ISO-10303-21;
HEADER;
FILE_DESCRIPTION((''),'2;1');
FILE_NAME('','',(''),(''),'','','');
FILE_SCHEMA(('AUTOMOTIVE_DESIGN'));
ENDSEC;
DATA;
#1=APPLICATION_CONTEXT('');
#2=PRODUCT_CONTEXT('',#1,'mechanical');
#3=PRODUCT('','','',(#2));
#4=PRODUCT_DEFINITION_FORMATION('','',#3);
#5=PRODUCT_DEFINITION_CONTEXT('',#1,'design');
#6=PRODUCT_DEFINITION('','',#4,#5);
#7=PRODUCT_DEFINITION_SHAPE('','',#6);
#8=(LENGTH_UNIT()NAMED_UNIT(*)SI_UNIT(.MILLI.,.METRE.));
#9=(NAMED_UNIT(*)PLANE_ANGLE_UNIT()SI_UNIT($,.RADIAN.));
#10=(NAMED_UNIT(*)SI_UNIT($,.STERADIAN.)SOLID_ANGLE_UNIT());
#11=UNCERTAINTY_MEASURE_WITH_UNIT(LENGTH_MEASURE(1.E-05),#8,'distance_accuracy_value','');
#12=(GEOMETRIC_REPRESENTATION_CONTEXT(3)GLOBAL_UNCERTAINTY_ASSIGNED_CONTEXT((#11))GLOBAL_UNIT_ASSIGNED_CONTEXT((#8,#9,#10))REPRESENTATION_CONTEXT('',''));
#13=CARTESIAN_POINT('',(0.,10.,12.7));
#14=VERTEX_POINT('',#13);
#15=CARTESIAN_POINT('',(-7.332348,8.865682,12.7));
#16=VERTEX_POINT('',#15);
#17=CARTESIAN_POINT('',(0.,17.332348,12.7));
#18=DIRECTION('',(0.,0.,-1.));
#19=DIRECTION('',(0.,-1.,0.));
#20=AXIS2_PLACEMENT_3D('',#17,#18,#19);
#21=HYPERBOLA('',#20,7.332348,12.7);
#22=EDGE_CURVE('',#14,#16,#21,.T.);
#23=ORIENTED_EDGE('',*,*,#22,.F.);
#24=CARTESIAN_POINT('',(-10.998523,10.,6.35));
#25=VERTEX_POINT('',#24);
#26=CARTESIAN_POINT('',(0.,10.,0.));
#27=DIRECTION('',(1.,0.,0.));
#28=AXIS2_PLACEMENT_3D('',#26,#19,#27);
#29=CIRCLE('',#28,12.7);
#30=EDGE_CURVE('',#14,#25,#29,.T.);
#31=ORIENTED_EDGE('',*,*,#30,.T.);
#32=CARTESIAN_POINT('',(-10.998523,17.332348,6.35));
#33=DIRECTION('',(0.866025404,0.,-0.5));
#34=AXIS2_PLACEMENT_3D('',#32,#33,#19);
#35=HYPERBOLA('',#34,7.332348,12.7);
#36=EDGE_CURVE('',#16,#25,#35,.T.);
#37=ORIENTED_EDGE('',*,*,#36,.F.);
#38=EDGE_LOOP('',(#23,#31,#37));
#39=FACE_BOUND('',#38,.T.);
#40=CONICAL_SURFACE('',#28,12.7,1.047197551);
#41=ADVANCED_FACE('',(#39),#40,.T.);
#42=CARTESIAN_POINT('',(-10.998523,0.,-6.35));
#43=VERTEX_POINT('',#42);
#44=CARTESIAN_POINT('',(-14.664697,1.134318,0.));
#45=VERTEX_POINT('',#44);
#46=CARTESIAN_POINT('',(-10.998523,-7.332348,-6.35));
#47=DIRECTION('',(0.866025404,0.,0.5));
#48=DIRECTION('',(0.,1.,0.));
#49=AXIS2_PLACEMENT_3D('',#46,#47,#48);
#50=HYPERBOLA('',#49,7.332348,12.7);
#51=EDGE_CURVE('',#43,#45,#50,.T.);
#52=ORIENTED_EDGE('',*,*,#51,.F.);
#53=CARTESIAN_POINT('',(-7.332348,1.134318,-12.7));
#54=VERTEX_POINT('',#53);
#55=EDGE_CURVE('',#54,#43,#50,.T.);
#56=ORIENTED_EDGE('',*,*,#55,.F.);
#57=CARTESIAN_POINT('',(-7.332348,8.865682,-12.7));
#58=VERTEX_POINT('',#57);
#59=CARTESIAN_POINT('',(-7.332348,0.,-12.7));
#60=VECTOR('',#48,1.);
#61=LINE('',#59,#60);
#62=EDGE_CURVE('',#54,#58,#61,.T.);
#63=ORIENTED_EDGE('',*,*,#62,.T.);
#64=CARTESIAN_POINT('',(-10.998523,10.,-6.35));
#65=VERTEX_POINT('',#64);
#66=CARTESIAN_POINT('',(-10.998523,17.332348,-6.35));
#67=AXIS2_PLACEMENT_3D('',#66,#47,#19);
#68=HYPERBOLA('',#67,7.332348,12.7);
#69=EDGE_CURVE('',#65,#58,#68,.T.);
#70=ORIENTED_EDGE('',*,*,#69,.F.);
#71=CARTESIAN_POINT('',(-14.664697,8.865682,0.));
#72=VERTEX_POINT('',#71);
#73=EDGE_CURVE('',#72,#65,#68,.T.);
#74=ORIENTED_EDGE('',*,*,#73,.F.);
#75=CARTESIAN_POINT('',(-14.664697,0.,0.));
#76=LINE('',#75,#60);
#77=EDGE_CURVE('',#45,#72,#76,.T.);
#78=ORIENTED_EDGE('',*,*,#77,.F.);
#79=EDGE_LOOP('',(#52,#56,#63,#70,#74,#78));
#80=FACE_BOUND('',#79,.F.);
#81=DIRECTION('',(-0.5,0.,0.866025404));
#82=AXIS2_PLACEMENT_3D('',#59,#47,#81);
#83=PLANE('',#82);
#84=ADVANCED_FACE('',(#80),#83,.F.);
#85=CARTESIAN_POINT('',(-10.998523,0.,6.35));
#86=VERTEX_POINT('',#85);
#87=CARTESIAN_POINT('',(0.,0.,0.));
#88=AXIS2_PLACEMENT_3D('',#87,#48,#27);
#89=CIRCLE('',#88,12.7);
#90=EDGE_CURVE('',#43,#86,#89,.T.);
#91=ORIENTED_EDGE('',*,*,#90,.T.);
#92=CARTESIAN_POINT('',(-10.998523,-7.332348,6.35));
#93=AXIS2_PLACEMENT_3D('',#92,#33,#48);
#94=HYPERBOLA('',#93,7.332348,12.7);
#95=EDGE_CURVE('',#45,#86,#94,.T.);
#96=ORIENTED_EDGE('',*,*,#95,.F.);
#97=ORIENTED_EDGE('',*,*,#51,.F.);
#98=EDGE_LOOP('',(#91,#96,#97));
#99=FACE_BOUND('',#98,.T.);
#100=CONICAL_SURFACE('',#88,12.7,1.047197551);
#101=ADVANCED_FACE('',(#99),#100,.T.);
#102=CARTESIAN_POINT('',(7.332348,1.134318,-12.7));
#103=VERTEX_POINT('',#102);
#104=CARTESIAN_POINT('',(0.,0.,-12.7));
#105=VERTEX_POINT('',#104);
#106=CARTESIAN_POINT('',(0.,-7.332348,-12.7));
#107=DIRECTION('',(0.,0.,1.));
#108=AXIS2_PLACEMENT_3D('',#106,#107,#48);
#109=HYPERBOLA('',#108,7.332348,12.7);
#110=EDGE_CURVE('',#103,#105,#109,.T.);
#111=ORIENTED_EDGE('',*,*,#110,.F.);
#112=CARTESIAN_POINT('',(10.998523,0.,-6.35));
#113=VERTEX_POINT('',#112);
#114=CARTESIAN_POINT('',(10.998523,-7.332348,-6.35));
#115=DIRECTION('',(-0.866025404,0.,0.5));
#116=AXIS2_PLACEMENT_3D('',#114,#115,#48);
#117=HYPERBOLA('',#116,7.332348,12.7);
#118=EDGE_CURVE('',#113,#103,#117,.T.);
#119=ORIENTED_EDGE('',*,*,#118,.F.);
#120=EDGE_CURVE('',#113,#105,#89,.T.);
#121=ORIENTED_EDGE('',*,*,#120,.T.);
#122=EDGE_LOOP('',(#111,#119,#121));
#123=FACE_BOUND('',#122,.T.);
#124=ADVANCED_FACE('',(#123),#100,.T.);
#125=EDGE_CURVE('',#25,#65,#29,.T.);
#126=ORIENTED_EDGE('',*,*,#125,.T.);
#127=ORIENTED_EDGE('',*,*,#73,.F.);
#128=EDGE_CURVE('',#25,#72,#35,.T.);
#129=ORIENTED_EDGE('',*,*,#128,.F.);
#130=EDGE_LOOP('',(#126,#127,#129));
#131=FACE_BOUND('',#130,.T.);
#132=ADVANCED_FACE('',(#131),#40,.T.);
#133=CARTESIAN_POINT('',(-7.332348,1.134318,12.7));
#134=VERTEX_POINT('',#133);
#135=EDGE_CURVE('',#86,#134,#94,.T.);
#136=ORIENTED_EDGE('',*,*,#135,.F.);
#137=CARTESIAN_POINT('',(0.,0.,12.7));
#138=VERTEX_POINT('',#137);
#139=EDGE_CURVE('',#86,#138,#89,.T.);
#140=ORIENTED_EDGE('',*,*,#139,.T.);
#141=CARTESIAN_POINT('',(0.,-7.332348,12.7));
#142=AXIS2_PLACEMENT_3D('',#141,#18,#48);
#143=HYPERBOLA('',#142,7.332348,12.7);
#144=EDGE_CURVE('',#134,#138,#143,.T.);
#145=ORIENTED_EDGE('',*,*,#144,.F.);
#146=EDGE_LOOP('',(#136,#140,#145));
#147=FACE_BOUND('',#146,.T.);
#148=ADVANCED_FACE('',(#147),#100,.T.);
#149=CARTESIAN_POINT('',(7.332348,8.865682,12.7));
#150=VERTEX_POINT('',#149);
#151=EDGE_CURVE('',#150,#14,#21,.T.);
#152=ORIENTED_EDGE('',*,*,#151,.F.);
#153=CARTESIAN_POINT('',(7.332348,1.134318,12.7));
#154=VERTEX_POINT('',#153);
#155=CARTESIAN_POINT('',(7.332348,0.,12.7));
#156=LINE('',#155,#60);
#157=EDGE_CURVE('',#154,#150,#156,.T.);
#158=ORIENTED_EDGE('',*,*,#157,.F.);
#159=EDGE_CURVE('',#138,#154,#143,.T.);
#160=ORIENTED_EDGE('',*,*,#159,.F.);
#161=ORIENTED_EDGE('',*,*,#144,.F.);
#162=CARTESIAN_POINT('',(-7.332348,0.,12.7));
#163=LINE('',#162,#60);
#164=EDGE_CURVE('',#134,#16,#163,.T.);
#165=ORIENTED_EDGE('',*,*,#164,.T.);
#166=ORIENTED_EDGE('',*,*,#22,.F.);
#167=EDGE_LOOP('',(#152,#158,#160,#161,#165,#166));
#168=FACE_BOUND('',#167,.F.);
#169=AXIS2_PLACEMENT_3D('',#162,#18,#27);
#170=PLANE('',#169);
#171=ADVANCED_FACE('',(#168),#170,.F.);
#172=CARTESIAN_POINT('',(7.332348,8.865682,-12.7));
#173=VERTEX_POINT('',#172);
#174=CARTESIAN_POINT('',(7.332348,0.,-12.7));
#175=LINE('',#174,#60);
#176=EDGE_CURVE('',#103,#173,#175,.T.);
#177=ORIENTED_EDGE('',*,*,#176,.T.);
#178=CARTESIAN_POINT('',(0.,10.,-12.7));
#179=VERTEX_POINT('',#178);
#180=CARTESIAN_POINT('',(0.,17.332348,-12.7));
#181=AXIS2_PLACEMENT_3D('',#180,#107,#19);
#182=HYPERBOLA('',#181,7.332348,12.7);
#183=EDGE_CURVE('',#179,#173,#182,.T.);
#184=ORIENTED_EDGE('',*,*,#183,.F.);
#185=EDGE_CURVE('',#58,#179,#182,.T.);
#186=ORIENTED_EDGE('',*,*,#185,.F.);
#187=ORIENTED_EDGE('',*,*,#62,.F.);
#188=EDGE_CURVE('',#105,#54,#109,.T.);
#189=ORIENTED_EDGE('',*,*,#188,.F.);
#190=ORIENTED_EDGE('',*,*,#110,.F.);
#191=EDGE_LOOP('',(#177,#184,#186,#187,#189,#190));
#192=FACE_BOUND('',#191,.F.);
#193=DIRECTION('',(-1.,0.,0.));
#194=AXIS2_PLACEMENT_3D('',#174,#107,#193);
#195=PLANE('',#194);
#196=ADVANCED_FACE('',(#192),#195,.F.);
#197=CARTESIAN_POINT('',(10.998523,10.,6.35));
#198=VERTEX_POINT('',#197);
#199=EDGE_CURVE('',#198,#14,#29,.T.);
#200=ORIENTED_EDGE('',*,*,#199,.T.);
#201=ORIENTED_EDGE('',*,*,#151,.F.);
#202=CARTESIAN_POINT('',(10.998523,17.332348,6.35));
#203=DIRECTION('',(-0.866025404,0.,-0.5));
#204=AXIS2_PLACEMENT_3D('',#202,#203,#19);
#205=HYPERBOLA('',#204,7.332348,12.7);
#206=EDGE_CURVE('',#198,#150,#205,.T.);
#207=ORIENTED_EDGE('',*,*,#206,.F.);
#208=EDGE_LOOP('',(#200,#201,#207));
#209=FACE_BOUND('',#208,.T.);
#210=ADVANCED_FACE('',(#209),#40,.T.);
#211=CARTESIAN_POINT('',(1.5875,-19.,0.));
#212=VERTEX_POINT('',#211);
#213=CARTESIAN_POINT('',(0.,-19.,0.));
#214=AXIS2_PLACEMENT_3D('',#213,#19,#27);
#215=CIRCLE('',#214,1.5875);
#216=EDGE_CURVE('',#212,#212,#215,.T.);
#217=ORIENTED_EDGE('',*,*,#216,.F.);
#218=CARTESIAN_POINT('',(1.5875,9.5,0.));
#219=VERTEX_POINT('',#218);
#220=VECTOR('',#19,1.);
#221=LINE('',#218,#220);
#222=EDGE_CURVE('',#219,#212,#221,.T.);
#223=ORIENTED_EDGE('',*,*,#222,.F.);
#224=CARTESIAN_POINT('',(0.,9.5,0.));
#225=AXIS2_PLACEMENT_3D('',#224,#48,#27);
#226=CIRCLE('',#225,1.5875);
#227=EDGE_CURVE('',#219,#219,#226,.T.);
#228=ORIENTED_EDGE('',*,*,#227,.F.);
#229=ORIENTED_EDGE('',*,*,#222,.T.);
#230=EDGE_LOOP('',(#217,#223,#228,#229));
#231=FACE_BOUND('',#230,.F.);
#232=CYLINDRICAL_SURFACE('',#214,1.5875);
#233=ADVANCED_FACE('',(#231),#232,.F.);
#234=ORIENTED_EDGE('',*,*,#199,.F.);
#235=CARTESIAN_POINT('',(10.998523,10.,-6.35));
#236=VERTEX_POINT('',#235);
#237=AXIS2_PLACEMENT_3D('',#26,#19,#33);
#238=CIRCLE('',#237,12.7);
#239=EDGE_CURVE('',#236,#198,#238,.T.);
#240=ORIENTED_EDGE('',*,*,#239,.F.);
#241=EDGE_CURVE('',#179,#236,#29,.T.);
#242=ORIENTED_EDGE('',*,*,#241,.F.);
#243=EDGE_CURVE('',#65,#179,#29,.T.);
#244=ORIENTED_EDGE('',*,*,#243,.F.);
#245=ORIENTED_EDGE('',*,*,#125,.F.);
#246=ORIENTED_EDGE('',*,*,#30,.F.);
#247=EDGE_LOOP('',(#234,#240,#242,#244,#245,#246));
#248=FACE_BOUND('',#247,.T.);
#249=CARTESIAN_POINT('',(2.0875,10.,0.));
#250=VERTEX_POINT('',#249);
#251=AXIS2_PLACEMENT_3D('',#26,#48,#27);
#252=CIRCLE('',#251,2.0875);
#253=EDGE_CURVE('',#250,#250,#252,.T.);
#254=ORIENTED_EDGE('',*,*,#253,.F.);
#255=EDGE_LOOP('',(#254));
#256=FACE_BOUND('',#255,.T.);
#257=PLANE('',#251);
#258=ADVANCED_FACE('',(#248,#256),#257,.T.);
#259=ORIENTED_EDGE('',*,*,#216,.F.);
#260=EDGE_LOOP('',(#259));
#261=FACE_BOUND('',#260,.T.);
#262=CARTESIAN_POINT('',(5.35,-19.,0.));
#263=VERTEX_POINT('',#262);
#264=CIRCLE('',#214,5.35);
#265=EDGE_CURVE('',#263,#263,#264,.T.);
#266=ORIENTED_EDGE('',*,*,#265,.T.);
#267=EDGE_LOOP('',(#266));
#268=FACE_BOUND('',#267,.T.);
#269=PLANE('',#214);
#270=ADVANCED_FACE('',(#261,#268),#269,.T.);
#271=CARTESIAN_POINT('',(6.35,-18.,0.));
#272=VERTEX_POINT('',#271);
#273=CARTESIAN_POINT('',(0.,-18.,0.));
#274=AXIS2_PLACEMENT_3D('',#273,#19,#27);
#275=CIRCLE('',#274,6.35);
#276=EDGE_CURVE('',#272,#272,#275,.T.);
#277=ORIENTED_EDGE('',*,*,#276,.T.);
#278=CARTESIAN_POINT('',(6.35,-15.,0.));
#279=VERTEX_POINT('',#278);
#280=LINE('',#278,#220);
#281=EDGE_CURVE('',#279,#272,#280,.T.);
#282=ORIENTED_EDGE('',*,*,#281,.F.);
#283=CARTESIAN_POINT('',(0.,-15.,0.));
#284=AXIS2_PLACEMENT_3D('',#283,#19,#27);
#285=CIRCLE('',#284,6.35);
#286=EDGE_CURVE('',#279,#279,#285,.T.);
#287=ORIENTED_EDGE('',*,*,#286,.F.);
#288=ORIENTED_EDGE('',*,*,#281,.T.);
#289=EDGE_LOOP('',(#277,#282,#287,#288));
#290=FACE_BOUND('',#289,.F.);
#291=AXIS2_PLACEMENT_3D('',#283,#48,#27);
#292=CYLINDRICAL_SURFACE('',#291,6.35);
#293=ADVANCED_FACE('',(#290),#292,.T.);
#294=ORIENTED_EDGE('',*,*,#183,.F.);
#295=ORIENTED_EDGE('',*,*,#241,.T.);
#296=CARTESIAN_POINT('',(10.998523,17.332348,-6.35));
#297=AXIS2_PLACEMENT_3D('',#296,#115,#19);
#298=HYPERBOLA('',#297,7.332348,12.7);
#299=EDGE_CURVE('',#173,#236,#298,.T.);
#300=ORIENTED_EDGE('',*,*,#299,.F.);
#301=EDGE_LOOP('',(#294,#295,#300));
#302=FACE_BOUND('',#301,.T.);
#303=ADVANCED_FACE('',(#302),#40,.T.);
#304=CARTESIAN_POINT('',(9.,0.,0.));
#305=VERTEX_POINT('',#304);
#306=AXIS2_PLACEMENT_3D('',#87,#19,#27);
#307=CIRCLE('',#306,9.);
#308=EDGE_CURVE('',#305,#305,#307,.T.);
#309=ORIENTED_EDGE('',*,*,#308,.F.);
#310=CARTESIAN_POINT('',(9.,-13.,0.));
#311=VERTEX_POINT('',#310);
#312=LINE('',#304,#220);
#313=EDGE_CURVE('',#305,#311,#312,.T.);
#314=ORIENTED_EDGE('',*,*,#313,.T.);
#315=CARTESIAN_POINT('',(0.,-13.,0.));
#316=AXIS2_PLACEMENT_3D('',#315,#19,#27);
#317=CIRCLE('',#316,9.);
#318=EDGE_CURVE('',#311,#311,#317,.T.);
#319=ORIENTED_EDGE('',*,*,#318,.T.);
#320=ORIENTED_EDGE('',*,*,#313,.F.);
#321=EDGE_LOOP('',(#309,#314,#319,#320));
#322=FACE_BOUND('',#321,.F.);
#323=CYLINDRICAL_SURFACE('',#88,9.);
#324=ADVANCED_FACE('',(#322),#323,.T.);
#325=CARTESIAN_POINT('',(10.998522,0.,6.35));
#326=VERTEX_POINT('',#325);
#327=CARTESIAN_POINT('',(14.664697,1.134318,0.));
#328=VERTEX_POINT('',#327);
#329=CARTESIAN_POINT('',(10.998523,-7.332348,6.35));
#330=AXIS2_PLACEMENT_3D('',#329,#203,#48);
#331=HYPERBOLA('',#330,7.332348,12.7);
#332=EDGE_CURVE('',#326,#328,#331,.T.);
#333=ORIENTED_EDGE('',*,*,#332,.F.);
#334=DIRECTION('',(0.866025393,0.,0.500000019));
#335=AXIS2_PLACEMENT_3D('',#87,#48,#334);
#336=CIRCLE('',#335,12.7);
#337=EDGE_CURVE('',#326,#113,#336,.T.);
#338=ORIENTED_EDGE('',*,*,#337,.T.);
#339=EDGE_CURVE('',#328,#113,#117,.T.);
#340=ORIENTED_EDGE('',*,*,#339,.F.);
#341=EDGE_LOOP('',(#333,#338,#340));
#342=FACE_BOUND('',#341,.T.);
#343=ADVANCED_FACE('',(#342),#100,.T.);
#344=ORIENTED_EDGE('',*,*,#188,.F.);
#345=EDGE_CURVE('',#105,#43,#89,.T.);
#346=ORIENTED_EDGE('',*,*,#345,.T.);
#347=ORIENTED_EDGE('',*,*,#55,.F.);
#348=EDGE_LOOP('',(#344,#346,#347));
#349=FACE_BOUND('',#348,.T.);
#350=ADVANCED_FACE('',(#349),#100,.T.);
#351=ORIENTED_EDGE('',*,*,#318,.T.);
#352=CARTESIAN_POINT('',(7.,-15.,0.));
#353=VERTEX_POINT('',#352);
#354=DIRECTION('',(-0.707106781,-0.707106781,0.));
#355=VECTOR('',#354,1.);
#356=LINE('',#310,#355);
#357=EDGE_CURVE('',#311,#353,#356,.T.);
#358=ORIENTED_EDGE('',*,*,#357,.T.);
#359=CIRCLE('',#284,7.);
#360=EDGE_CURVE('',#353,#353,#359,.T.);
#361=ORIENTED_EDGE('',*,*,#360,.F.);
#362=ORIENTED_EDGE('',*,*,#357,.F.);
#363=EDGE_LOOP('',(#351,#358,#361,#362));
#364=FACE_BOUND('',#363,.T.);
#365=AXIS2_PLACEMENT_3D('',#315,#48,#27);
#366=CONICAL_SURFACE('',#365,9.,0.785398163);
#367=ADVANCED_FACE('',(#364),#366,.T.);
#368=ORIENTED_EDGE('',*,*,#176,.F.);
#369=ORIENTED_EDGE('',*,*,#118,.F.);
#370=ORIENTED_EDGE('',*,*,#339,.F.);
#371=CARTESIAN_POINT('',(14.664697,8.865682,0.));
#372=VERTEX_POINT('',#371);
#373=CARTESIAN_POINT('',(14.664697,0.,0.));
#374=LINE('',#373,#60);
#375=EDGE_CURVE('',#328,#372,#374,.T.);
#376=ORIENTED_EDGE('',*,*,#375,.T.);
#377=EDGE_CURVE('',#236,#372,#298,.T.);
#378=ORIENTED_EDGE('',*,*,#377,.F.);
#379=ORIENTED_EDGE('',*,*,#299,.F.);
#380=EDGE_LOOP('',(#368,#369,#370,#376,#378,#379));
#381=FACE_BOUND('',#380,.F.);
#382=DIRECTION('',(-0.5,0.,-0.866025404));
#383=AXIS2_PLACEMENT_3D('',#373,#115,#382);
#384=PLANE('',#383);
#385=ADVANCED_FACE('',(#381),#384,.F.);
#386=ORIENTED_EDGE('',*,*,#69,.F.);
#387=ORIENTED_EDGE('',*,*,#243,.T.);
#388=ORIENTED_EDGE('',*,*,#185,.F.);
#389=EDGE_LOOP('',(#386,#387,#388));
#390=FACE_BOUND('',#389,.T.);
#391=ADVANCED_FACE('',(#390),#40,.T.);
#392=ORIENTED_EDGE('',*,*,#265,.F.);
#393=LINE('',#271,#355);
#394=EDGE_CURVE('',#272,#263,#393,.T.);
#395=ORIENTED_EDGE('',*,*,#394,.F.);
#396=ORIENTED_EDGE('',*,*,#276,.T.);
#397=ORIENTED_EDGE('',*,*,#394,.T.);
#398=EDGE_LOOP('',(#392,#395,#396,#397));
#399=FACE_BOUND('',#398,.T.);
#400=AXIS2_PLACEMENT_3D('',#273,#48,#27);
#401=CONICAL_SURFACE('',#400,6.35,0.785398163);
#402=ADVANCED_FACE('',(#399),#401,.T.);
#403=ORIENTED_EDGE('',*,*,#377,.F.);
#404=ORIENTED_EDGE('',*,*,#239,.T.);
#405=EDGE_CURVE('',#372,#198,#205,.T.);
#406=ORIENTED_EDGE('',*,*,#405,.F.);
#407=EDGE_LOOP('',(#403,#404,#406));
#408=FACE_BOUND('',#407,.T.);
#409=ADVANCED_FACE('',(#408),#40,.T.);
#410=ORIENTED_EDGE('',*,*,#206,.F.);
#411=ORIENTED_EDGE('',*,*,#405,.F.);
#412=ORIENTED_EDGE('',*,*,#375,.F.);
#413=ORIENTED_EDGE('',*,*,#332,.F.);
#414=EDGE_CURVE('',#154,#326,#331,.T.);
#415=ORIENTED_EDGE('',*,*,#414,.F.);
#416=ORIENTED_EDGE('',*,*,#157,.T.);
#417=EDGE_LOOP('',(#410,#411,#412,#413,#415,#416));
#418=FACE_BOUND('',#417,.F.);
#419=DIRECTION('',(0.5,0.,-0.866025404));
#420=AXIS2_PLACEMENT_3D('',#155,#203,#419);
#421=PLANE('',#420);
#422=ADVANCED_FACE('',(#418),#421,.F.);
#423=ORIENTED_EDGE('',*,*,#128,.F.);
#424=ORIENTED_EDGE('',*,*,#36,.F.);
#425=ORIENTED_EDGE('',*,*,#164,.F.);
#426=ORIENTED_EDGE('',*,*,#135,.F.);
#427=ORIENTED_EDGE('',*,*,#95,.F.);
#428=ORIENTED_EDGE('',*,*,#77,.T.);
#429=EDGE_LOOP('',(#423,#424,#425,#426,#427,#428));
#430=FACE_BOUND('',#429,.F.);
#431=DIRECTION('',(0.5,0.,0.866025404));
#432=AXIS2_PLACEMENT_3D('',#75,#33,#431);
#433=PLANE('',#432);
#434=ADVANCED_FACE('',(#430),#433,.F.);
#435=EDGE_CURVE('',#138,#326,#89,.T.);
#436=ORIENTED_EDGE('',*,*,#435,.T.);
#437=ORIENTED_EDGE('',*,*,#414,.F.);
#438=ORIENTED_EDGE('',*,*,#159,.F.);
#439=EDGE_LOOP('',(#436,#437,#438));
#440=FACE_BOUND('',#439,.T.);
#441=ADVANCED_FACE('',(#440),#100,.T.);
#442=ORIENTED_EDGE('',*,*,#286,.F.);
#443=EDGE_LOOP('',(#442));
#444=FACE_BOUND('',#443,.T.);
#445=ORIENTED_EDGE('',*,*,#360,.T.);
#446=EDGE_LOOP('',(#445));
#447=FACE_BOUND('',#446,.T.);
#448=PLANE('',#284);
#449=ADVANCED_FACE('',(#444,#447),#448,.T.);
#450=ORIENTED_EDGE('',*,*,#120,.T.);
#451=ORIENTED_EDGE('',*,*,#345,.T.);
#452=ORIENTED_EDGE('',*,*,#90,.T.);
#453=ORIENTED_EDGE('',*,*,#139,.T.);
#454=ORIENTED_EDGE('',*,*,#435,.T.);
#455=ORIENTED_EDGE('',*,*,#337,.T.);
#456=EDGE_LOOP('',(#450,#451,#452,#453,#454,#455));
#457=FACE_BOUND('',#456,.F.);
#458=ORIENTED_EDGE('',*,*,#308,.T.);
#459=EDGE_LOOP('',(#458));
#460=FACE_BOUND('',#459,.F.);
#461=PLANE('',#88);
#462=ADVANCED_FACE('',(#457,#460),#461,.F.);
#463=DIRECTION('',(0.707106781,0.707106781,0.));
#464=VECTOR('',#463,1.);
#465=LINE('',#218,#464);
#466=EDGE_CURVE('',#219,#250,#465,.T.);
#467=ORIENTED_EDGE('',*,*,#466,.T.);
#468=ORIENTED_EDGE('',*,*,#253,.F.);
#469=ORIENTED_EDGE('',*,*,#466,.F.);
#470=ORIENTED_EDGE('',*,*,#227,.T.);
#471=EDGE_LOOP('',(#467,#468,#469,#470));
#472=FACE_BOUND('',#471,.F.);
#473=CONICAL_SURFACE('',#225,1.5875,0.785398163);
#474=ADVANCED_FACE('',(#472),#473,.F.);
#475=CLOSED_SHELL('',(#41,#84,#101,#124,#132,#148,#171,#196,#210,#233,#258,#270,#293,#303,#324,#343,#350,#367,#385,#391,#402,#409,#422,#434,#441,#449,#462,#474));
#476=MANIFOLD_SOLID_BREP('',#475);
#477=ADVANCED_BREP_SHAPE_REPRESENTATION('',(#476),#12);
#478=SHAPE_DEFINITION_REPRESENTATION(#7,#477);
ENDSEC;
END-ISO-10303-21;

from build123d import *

# Parameters (mm, degrees)
SALIENTE_EXTRUIR3_DEPTH = 10
CROQUIS5_OUTSIDE_W      = 73.984
CROQUIS5_OUTSIDE_H      = 70.054
CROQUIS5_OUTSIDE_R      = 12.7
CORTAR_EXTRUIR4_DEPTH   = 10
CORTAR_EXTRUIR4_TAPER   = 60
CROQUIS6_OUTSIDE_W      = 73.984
CROQUIS6_OUTSIDE_H      = 70.054
CROQUIS6_OUTSIDE_R      = 12.7
CORTAR_EXTRUIR5_DEPTH   = 10
CORTAR_EXTRUIR5_TAPER   = 60
CROQUIS7_R              = 9
SALIENTE_EXTRUIR4_DEPTH = 15
CHAFL_N1_SIZE           = 2
CROQUIS8_R              = 1.5875
CORTAR_EXTRUIR6_DEPTH   = 26
CHAFL_N2_SIZE           = 0.5
CROQUIS9_R              = 6.35
SALIENTE_EXTRUIR5_DEPTH = 4
CHAFL_N4_SIZE           = 1
CROQUIS10_R             = 1.5875
CORTAR_EXTRUIR7_DEPTH   = 14


with BuildPart() as part:
    # Croquis1 → Saliente-Extruir3 (new body)
    with BuildSketch(Plane(origin=(0, 0, 0), x_dir=(1, 0, 0), z_dir=(0, 1, 0))):
        Polygon((14.664696837, 0), (7.332348419, 12.7), (-7.332348419, 12.7), (-14.664696837, 0), (-7.332348419, -12.7), (7.332348419, -12.7), align=None)
    extrude(amount=SALIENTE_EXTRUIR3_DEPTH)

    # Croquis5 outside → Cortar-Extruir4 (cut)
    with BuildSketch(Plane.XZ):
        Rectangle(CROQUIS5_OUTSIDE_W, CROQUIS5_OUTSIDE_H)
        Circle(CROQUIS5_OUTSIDE_R, mode=Mode.SUBTRACT)
    extrude(amount=-CORTAR_EXTRUIR4_DEPTH, taper=CORTAR_EXTRUIR4_TAPER, mode=Mode.SUBTRACT)

    # Croquis6 outside → Cortar-Extruir5 (cut)
    with BuildSketch(Plane(origin=(0, 10, 0), x_dir=(1, 0, 0), z_dir=(0, 1, 0))):
        Rectangle(CROQUIS6_OUTSIDE_W, CROQUIS6_OUTSIDE_H)
        Circle(CROQUIS6_OUTSIDE_R, mode=Mode.SUBTRACT)
    extrude(amount=-CORTAR_EXTRUIR5_DEPTH, taper=CORTAR_EXTRUIR5_TAPER, mode=Mode.SUBTRACT)

    # Croquis7 → Saliente-Extruir4 (add)
    with BuildSketch(Plane.XZ):
        Circle(CROQUIS7_R)
    extrude(amount=SALIENTE_EXTRUIR4_DEPTH)

    # Chaflán1
    chafl_n1_edges = [part.edges().sort_by_distance(p)[0] for p in [
        (-9, -15, 0),
    ]]
    chamfer(chafl_n1_edges, length=CHAFL_N1_SIZE)

    # Croquis8 → Cortar-Extruir6 (cut)
    with BuildSketch(Plane(origin=(0, 10, 0), x_dir=(1, 0, 0), z_dir=(0, 1, 0))):
        Circle(CROQUIS8_R)
    extrude(amount=-CORTAR_EXTRUIR6_DEPTH, mode=Mode.SUBTRACT)

    # Chaflán2
    chafl_n2_edges = [part.edges().sort_by_distance(p)[0] for p in [
        (-1.5875, 10, 0),
    ]]
    chamfer(chafl_n2_edges, length=CHAFL_N2_SIZE)

    # Croquis9 → Saliente-Extruir5 (add)
    with BuildSketch(Plane.XZ.offset(15)):
        Circle(CROQUIS9_R)
    extrude(amount=SALIENTE_EXTRUIR5_DEPTH)

    # Chaflán4
    chafl_n4_edges = [part.edges().sort_by_distance(p)[0] for p in [
        (-6.35, -19, 0),
    ]]
    chamfer(chafl_n4_edges, length=CHAFL_N4_SIZE)

    # Croquis10 → Cortar-Extruir7 (cut)
    with BuildSketch(Plane.XZ.offset(19)):
        Circle(CROQUIS10_R)
    extrude(amount=-CORTAR_EXTRUIR7_DEPTH, mode=Mode.SUBTRACT)


solid = part.part
